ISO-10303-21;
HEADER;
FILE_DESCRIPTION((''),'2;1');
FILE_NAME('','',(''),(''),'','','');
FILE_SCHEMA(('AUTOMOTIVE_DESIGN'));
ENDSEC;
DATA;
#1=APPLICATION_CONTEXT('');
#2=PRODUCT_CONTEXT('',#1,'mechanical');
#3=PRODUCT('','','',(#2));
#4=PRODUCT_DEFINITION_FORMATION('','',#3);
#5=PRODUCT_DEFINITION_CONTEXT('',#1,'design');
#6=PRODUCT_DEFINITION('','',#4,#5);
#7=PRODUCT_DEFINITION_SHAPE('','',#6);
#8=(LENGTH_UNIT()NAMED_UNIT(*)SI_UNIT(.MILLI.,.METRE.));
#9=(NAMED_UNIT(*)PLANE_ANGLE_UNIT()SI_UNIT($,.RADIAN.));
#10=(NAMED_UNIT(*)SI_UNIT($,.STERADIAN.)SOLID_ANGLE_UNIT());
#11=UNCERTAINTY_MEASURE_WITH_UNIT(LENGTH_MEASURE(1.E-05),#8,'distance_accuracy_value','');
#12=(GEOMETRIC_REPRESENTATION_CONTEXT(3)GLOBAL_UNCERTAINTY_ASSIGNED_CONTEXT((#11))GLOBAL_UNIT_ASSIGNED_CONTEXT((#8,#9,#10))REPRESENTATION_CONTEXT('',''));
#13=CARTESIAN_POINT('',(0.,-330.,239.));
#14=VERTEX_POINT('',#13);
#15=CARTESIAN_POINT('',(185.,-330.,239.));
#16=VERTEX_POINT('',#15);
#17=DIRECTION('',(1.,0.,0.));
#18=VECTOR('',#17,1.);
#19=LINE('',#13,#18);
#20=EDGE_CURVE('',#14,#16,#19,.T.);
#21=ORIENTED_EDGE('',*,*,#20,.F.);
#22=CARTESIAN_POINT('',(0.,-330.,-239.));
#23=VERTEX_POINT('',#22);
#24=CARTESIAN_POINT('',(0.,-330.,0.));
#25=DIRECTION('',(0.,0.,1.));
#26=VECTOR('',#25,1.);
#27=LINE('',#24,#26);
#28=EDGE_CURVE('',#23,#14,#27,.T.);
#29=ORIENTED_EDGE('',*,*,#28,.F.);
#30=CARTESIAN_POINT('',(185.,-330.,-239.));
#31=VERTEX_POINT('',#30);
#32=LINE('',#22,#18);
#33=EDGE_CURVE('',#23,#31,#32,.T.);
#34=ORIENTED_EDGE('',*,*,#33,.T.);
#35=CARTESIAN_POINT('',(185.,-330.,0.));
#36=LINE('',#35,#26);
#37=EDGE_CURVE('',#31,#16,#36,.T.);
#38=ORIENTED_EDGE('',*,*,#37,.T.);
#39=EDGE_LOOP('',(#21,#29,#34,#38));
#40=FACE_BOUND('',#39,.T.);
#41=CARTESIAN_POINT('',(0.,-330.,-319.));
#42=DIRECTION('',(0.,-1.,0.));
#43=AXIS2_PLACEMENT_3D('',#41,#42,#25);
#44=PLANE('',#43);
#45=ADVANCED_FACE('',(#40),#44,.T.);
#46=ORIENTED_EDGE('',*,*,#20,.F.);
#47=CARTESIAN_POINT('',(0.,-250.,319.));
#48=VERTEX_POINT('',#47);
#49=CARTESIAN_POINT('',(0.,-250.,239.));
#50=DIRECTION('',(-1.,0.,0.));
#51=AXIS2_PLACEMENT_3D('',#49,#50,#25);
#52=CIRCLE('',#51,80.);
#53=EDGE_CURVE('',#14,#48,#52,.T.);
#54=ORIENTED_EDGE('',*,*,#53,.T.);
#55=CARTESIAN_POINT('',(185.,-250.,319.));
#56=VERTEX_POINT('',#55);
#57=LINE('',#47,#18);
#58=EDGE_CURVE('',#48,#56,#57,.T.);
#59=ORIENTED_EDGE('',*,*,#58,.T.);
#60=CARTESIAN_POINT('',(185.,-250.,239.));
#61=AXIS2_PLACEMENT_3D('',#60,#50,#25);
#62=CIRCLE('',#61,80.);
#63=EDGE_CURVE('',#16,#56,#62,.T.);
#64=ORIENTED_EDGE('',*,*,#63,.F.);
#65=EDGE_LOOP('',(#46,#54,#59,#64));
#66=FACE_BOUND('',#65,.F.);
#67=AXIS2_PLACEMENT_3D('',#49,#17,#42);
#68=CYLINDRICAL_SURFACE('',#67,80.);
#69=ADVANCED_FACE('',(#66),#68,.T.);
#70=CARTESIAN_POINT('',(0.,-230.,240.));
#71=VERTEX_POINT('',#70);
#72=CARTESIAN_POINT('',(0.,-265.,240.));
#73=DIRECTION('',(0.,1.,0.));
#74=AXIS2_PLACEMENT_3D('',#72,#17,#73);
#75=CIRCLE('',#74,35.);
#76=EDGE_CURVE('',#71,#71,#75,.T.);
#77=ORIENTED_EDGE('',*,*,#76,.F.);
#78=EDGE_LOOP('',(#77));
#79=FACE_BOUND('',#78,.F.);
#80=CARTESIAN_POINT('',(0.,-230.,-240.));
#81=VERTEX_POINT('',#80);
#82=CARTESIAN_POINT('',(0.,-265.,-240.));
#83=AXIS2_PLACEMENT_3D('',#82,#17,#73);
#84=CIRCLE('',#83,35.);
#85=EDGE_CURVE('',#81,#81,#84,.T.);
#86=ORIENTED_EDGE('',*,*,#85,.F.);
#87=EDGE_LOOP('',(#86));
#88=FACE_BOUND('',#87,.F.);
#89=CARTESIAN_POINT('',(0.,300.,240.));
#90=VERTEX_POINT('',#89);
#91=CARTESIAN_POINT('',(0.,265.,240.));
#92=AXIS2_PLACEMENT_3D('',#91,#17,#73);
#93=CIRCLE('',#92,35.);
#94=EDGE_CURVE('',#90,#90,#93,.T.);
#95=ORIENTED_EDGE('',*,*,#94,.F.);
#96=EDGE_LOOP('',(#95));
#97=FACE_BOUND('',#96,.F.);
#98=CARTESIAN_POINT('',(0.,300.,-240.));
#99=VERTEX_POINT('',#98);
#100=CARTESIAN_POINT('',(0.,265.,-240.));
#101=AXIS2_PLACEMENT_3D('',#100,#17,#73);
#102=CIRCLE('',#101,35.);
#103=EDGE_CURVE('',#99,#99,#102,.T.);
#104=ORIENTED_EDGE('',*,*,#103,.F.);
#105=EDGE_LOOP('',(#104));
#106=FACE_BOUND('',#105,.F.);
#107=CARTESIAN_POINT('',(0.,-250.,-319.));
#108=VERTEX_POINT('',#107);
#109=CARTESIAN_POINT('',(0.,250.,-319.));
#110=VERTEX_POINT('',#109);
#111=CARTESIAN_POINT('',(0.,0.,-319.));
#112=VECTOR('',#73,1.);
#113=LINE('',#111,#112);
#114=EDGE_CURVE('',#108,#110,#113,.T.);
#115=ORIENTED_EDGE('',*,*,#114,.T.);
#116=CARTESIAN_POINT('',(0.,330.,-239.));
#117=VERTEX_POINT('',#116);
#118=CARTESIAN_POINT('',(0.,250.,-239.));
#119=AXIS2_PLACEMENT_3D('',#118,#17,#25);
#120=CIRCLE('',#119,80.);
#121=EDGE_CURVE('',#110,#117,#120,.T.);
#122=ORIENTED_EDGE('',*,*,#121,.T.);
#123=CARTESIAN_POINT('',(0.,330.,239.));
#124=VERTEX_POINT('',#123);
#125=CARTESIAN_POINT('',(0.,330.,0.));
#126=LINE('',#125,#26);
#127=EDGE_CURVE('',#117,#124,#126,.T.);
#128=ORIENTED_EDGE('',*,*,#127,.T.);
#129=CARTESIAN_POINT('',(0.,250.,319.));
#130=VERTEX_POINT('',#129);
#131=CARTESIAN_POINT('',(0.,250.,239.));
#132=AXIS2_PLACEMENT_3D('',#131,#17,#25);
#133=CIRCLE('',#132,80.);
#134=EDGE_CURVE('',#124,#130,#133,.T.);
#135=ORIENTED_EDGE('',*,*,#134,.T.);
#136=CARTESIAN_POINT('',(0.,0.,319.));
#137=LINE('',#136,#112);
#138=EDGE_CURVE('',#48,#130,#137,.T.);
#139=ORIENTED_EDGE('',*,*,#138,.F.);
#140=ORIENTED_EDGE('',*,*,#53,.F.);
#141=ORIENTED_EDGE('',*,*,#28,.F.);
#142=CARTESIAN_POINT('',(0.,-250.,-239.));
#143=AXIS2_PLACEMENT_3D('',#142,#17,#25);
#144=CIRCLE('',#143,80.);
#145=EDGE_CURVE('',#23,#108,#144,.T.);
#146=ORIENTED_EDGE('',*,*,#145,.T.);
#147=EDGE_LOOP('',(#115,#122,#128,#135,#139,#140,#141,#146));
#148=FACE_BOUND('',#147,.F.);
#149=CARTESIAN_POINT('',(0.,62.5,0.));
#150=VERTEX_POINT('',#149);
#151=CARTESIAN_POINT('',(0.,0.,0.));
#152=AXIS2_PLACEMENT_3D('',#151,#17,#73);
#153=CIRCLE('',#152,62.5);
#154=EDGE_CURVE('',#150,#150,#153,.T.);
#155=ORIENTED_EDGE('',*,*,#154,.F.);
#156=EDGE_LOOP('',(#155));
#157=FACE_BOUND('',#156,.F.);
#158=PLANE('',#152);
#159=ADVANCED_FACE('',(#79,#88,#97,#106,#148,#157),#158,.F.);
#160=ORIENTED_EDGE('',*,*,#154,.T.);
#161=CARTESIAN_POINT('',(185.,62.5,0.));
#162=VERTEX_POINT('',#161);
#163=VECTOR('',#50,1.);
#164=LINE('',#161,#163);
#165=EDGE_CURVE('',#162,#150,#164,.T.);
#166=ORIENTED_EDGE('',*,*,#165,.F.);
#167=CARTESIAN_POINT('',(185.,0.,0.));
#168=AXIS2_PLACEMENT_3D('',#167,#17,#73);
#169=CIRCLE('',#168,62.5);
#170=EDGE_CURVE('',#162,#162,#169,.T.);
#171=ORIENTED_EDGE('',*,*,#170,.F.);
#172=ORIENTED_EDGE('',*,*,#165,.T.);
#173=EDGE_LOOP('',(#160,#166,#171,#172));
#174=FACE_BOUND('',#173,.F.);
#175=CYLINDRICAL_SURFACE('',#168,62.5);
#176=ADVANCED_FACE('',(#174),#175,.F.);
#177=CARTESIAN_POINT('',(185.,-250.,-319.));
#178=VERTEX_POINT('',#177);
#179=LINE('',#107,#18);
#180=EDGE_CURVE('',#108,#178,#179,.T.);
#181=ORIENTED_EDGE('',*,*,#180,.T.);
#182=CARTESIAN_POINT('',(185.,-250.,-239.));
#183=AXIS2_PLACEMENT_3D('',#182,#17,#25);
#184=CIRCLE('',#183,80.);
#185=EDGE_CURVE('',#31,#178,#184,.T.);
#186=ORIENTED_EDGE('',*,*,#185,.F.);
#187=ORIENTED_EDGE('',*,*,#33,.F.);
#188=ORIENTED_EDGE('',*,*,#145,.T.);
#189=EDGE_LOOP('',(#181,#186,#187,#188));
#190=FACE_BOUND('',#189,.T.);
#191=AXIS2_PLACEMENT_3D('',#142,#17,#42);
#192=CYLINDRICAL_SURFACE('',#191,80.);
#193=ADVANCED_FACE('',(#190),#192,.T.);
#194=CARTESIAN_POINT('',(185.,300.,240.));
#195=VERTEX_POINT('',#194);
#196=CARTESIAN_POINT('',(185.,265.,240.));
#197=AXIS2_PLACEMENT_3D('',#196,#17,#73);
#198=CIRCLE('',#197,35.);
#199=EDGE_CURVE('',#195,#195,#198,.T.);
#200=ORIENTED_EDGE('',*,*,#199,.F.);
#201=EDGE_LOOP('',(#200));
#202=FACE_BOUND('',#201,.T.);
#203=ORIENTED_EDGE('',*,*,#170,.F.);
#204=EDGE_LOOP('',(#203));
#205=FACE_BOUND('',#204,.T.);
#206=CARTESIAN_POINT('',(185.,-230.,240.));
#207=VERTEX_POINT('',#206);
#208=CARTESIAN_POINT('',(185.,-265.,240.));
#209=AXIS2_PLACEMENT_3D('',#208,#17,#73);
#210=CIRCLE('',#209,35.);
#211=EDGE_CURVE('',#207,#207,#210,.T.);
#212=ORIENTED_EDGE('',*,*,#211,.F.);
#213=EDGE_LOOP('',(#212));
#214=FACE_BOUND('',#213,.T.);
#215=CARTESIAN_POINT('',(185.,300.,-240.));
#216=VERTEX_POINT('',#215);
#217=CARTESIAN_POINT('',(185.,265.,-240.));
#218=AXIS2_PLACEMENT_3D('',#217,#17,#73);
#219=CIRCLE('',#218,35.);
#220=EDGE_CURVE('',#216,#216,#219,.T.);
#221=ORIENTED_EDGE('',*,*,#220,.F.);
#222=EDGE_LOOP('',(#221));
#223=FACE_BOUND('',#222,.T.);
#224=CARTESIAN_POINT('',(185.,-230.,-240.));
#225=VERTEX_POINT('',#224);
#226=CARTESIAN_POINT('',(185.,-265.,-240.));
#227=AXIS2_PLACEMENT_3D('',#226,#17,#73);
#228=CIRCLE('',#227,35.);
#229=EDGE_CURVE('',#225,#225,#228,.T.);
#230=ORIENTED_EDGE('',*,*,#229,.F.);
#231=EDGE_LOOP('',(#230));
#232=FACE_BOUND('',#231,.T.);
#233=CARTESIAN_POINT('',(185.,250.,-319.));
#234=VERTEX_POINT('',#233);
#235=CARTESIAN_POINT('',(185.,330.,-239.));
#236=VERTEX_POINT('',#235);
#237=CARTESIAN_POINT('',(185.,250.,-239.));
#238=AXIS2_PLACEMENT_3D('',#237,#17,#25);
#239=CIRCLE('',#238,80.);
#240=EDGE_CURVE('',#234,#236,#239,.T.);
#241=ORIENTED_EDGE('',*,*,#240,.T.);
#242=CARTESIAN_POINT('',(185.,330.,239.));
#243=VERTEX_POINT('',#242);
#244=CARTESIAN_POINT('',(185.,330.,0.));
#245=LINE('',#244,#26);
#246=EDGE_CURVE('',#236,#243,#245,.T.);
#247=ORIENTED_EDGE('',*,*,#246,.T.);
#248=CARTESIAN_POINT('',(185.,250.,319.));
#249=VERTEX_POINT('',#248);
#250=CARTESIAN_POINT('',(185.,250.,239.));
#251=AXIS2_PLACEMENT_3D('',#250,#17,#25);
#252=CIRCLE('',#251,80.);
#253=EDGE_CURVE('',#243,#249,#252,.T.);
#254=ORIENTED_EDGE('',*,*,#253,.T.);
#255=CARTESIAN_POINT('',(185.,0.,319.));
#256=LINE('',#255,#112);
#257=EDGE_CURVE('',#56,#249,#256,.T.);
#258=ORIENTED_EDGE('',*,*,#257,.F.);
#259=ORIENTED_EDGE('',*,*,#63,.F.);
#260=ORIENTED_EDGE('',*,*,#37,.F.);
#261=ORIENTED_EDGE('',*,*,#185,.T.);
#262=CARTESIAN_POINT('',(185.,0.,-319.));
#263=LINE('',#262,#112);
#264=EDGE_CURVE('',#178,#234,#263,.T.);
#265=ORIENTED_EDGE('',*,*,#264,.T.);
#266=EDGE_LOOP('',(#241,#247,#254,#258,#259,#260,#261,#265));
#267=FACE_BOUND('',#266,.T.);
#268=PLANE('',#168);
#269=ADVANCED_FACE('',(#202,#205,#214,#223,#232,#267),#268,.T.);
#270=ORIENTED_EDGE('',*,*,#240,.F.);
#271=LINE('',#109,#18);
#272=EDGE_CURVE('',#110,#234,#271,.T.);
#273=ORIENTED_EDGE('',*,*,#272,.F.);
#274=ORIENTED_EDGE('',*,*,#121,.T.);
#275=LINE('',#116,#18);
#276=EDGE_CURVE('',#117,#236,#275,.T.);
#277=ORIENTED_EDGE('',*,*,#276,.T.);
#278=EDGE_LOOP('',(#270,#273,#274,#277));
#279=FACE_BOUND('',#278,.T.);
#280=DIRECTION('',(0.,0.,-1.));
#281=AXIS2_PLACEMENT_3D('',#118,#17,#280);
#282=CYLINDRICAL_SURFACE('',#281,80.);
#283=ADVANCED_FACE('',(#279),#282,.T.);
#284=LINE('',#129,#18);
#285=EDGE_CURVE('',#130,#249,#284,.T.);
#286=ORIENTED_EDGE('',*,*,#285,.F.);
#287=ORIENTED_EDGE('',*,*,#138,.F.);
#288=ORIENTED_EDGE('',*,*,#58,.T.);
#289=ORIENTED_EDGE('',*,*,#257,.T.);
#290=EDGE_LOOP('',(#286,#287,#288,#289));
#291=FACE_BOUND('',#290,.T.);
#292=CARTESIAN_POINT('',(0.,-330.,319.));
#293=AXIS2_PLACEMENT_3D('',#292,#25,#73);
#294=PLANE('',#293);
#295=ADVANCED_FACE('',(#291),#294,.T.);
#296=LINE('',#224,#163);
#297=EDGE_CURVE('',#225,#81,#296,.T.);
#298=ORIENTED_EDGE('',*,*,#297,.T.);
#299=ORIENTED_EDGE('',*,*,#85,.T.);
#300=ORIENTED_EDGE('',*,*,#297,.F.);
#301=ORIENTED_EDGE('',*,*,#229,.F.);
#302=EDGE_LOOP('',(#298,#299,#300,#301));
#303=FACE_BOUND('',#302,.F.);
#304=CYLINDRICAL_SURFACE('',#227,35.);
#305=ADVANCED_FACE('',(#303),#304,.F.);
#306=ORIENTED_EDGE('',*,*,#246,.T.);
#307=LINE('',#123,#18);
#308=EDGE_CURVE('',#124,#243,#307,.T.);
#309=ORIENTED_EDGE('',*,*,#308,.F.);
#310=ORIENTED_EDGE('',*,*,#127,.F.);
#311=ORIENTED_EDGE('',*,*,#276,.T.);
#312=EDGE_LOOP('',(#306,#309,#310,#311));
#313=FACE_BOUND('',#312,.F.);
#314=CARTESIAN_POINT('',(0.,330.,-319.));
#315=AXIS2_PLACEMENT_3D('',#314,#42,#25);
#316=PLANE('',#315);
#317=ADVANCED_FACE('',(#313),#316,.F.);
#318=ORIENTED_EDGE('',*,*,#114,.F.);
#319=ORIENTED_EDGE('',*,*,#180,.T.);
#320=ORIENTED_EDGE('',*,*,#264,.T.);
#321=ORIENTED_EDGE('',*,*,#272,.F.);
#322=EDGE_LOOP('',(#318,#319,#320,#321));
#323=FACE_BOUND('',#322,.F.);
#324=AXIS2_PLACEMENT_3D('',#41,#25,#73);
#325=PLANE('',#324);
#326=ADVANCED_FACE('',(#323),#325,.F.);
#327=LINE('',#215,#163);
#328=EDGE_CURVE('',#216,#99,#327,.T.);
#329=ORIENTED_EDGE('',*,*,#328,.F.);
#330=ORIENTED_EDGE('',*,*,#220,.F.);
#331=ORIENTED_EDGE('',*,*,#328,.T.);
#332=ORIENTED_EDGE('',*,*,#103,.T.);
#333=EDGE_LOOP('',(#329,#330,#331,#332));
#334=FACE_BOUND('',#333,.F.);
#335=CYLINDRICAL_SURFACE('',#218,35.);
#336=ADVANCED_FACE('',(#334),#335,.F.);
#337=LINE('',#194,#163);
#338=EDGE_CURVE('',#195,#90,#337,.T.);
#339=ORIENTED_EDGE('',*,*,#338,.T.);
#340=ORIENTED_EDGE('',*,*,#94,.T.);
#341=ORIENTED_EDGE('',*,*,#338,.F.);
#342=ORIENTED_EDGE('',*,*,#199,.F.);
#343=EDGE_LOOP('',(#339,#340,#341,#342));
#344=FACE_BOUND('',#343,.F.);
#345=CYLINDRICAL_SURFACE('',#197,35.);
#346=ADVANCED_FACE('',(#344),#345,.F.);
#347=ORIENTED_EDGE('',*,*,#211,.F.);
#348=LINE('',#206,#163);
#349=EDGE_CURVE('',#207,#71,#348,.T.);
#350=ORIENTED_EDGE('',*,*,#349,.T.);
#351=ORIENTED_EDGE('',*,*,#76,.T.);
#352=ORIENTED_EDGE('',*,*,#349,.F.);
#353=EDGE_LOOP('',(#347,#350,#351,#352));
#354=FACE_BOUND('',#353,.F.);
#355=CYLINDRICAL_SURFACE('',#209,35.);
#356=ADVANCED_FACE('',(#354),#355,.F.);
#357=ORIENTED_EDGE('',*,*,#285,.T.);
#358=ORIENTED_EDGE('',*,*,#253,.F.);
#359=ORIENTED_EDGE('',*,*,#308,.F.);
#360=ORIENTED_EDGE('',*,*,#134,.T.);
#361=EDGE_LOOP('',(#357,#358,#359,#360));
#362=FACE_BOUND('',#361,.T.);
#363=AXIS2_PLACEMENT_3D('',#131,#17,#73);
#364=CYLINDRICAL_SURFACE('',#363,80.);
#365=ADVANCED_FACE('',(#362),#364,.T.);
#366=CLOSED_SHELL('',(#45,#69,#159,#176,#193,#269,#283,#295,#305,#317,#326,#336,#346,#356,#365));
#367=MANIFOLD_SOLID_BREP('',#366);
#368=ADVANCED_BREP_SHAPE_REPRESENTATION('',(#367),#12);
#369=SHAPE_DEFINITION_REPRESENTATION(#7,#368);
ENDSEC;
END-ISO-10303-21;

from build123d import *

# Parameters (mm, degrees)
F0_W     = 660
F0_H     = 638
F1_DEPTH = 185
F2_R     = 80
F3_R     = 62.5
F4_DEPTH = 185.001
F5_R     = 35
F6_DEPTH = 185.001


with BuildPart() as f1:
    # F0 (on Right) → F1 (new body)
    with BuildSketch(Plane.YZ):
        Rectangle(F0_W, F0_H)
    extrude(amount=F1_DEPTH)

    # F2
    f2_edges = [f1.edges().sort_by_distance(p)[0] for p in [
        (92.5, 330, 319),
        (92.5, -330, 319),
        (92.5, 330, -319),
        (92.5, -330, -319),
    ]]
    fillet(f2_edges, radius=F2_R)

    # F3 (on face) → F4 (cut, through all)
    with BuildSketch(Plane.YZ.offset(185)):
        Circle(F3_R)
    extrude(amount=-F4_DEPTH, mode=Mode.SUBTRACT)

    # F5 (on face) → F6 (cut, through all)
    with BuildSketch(Plane.YZ.offset(185)):
        with Locations((-265, 240)):
            Circle(F5_R)
        with Locations((265, 240)):
            Circle(F5_R)
        with Locations((265, -240)):
            Circle(F5_R)
        with Locations((-265, -240)):
            Circle(F5_R)
    extrude(amount=-F6_DEPTH, mode=Mode.SUBTRACT)


solid = f1.part
